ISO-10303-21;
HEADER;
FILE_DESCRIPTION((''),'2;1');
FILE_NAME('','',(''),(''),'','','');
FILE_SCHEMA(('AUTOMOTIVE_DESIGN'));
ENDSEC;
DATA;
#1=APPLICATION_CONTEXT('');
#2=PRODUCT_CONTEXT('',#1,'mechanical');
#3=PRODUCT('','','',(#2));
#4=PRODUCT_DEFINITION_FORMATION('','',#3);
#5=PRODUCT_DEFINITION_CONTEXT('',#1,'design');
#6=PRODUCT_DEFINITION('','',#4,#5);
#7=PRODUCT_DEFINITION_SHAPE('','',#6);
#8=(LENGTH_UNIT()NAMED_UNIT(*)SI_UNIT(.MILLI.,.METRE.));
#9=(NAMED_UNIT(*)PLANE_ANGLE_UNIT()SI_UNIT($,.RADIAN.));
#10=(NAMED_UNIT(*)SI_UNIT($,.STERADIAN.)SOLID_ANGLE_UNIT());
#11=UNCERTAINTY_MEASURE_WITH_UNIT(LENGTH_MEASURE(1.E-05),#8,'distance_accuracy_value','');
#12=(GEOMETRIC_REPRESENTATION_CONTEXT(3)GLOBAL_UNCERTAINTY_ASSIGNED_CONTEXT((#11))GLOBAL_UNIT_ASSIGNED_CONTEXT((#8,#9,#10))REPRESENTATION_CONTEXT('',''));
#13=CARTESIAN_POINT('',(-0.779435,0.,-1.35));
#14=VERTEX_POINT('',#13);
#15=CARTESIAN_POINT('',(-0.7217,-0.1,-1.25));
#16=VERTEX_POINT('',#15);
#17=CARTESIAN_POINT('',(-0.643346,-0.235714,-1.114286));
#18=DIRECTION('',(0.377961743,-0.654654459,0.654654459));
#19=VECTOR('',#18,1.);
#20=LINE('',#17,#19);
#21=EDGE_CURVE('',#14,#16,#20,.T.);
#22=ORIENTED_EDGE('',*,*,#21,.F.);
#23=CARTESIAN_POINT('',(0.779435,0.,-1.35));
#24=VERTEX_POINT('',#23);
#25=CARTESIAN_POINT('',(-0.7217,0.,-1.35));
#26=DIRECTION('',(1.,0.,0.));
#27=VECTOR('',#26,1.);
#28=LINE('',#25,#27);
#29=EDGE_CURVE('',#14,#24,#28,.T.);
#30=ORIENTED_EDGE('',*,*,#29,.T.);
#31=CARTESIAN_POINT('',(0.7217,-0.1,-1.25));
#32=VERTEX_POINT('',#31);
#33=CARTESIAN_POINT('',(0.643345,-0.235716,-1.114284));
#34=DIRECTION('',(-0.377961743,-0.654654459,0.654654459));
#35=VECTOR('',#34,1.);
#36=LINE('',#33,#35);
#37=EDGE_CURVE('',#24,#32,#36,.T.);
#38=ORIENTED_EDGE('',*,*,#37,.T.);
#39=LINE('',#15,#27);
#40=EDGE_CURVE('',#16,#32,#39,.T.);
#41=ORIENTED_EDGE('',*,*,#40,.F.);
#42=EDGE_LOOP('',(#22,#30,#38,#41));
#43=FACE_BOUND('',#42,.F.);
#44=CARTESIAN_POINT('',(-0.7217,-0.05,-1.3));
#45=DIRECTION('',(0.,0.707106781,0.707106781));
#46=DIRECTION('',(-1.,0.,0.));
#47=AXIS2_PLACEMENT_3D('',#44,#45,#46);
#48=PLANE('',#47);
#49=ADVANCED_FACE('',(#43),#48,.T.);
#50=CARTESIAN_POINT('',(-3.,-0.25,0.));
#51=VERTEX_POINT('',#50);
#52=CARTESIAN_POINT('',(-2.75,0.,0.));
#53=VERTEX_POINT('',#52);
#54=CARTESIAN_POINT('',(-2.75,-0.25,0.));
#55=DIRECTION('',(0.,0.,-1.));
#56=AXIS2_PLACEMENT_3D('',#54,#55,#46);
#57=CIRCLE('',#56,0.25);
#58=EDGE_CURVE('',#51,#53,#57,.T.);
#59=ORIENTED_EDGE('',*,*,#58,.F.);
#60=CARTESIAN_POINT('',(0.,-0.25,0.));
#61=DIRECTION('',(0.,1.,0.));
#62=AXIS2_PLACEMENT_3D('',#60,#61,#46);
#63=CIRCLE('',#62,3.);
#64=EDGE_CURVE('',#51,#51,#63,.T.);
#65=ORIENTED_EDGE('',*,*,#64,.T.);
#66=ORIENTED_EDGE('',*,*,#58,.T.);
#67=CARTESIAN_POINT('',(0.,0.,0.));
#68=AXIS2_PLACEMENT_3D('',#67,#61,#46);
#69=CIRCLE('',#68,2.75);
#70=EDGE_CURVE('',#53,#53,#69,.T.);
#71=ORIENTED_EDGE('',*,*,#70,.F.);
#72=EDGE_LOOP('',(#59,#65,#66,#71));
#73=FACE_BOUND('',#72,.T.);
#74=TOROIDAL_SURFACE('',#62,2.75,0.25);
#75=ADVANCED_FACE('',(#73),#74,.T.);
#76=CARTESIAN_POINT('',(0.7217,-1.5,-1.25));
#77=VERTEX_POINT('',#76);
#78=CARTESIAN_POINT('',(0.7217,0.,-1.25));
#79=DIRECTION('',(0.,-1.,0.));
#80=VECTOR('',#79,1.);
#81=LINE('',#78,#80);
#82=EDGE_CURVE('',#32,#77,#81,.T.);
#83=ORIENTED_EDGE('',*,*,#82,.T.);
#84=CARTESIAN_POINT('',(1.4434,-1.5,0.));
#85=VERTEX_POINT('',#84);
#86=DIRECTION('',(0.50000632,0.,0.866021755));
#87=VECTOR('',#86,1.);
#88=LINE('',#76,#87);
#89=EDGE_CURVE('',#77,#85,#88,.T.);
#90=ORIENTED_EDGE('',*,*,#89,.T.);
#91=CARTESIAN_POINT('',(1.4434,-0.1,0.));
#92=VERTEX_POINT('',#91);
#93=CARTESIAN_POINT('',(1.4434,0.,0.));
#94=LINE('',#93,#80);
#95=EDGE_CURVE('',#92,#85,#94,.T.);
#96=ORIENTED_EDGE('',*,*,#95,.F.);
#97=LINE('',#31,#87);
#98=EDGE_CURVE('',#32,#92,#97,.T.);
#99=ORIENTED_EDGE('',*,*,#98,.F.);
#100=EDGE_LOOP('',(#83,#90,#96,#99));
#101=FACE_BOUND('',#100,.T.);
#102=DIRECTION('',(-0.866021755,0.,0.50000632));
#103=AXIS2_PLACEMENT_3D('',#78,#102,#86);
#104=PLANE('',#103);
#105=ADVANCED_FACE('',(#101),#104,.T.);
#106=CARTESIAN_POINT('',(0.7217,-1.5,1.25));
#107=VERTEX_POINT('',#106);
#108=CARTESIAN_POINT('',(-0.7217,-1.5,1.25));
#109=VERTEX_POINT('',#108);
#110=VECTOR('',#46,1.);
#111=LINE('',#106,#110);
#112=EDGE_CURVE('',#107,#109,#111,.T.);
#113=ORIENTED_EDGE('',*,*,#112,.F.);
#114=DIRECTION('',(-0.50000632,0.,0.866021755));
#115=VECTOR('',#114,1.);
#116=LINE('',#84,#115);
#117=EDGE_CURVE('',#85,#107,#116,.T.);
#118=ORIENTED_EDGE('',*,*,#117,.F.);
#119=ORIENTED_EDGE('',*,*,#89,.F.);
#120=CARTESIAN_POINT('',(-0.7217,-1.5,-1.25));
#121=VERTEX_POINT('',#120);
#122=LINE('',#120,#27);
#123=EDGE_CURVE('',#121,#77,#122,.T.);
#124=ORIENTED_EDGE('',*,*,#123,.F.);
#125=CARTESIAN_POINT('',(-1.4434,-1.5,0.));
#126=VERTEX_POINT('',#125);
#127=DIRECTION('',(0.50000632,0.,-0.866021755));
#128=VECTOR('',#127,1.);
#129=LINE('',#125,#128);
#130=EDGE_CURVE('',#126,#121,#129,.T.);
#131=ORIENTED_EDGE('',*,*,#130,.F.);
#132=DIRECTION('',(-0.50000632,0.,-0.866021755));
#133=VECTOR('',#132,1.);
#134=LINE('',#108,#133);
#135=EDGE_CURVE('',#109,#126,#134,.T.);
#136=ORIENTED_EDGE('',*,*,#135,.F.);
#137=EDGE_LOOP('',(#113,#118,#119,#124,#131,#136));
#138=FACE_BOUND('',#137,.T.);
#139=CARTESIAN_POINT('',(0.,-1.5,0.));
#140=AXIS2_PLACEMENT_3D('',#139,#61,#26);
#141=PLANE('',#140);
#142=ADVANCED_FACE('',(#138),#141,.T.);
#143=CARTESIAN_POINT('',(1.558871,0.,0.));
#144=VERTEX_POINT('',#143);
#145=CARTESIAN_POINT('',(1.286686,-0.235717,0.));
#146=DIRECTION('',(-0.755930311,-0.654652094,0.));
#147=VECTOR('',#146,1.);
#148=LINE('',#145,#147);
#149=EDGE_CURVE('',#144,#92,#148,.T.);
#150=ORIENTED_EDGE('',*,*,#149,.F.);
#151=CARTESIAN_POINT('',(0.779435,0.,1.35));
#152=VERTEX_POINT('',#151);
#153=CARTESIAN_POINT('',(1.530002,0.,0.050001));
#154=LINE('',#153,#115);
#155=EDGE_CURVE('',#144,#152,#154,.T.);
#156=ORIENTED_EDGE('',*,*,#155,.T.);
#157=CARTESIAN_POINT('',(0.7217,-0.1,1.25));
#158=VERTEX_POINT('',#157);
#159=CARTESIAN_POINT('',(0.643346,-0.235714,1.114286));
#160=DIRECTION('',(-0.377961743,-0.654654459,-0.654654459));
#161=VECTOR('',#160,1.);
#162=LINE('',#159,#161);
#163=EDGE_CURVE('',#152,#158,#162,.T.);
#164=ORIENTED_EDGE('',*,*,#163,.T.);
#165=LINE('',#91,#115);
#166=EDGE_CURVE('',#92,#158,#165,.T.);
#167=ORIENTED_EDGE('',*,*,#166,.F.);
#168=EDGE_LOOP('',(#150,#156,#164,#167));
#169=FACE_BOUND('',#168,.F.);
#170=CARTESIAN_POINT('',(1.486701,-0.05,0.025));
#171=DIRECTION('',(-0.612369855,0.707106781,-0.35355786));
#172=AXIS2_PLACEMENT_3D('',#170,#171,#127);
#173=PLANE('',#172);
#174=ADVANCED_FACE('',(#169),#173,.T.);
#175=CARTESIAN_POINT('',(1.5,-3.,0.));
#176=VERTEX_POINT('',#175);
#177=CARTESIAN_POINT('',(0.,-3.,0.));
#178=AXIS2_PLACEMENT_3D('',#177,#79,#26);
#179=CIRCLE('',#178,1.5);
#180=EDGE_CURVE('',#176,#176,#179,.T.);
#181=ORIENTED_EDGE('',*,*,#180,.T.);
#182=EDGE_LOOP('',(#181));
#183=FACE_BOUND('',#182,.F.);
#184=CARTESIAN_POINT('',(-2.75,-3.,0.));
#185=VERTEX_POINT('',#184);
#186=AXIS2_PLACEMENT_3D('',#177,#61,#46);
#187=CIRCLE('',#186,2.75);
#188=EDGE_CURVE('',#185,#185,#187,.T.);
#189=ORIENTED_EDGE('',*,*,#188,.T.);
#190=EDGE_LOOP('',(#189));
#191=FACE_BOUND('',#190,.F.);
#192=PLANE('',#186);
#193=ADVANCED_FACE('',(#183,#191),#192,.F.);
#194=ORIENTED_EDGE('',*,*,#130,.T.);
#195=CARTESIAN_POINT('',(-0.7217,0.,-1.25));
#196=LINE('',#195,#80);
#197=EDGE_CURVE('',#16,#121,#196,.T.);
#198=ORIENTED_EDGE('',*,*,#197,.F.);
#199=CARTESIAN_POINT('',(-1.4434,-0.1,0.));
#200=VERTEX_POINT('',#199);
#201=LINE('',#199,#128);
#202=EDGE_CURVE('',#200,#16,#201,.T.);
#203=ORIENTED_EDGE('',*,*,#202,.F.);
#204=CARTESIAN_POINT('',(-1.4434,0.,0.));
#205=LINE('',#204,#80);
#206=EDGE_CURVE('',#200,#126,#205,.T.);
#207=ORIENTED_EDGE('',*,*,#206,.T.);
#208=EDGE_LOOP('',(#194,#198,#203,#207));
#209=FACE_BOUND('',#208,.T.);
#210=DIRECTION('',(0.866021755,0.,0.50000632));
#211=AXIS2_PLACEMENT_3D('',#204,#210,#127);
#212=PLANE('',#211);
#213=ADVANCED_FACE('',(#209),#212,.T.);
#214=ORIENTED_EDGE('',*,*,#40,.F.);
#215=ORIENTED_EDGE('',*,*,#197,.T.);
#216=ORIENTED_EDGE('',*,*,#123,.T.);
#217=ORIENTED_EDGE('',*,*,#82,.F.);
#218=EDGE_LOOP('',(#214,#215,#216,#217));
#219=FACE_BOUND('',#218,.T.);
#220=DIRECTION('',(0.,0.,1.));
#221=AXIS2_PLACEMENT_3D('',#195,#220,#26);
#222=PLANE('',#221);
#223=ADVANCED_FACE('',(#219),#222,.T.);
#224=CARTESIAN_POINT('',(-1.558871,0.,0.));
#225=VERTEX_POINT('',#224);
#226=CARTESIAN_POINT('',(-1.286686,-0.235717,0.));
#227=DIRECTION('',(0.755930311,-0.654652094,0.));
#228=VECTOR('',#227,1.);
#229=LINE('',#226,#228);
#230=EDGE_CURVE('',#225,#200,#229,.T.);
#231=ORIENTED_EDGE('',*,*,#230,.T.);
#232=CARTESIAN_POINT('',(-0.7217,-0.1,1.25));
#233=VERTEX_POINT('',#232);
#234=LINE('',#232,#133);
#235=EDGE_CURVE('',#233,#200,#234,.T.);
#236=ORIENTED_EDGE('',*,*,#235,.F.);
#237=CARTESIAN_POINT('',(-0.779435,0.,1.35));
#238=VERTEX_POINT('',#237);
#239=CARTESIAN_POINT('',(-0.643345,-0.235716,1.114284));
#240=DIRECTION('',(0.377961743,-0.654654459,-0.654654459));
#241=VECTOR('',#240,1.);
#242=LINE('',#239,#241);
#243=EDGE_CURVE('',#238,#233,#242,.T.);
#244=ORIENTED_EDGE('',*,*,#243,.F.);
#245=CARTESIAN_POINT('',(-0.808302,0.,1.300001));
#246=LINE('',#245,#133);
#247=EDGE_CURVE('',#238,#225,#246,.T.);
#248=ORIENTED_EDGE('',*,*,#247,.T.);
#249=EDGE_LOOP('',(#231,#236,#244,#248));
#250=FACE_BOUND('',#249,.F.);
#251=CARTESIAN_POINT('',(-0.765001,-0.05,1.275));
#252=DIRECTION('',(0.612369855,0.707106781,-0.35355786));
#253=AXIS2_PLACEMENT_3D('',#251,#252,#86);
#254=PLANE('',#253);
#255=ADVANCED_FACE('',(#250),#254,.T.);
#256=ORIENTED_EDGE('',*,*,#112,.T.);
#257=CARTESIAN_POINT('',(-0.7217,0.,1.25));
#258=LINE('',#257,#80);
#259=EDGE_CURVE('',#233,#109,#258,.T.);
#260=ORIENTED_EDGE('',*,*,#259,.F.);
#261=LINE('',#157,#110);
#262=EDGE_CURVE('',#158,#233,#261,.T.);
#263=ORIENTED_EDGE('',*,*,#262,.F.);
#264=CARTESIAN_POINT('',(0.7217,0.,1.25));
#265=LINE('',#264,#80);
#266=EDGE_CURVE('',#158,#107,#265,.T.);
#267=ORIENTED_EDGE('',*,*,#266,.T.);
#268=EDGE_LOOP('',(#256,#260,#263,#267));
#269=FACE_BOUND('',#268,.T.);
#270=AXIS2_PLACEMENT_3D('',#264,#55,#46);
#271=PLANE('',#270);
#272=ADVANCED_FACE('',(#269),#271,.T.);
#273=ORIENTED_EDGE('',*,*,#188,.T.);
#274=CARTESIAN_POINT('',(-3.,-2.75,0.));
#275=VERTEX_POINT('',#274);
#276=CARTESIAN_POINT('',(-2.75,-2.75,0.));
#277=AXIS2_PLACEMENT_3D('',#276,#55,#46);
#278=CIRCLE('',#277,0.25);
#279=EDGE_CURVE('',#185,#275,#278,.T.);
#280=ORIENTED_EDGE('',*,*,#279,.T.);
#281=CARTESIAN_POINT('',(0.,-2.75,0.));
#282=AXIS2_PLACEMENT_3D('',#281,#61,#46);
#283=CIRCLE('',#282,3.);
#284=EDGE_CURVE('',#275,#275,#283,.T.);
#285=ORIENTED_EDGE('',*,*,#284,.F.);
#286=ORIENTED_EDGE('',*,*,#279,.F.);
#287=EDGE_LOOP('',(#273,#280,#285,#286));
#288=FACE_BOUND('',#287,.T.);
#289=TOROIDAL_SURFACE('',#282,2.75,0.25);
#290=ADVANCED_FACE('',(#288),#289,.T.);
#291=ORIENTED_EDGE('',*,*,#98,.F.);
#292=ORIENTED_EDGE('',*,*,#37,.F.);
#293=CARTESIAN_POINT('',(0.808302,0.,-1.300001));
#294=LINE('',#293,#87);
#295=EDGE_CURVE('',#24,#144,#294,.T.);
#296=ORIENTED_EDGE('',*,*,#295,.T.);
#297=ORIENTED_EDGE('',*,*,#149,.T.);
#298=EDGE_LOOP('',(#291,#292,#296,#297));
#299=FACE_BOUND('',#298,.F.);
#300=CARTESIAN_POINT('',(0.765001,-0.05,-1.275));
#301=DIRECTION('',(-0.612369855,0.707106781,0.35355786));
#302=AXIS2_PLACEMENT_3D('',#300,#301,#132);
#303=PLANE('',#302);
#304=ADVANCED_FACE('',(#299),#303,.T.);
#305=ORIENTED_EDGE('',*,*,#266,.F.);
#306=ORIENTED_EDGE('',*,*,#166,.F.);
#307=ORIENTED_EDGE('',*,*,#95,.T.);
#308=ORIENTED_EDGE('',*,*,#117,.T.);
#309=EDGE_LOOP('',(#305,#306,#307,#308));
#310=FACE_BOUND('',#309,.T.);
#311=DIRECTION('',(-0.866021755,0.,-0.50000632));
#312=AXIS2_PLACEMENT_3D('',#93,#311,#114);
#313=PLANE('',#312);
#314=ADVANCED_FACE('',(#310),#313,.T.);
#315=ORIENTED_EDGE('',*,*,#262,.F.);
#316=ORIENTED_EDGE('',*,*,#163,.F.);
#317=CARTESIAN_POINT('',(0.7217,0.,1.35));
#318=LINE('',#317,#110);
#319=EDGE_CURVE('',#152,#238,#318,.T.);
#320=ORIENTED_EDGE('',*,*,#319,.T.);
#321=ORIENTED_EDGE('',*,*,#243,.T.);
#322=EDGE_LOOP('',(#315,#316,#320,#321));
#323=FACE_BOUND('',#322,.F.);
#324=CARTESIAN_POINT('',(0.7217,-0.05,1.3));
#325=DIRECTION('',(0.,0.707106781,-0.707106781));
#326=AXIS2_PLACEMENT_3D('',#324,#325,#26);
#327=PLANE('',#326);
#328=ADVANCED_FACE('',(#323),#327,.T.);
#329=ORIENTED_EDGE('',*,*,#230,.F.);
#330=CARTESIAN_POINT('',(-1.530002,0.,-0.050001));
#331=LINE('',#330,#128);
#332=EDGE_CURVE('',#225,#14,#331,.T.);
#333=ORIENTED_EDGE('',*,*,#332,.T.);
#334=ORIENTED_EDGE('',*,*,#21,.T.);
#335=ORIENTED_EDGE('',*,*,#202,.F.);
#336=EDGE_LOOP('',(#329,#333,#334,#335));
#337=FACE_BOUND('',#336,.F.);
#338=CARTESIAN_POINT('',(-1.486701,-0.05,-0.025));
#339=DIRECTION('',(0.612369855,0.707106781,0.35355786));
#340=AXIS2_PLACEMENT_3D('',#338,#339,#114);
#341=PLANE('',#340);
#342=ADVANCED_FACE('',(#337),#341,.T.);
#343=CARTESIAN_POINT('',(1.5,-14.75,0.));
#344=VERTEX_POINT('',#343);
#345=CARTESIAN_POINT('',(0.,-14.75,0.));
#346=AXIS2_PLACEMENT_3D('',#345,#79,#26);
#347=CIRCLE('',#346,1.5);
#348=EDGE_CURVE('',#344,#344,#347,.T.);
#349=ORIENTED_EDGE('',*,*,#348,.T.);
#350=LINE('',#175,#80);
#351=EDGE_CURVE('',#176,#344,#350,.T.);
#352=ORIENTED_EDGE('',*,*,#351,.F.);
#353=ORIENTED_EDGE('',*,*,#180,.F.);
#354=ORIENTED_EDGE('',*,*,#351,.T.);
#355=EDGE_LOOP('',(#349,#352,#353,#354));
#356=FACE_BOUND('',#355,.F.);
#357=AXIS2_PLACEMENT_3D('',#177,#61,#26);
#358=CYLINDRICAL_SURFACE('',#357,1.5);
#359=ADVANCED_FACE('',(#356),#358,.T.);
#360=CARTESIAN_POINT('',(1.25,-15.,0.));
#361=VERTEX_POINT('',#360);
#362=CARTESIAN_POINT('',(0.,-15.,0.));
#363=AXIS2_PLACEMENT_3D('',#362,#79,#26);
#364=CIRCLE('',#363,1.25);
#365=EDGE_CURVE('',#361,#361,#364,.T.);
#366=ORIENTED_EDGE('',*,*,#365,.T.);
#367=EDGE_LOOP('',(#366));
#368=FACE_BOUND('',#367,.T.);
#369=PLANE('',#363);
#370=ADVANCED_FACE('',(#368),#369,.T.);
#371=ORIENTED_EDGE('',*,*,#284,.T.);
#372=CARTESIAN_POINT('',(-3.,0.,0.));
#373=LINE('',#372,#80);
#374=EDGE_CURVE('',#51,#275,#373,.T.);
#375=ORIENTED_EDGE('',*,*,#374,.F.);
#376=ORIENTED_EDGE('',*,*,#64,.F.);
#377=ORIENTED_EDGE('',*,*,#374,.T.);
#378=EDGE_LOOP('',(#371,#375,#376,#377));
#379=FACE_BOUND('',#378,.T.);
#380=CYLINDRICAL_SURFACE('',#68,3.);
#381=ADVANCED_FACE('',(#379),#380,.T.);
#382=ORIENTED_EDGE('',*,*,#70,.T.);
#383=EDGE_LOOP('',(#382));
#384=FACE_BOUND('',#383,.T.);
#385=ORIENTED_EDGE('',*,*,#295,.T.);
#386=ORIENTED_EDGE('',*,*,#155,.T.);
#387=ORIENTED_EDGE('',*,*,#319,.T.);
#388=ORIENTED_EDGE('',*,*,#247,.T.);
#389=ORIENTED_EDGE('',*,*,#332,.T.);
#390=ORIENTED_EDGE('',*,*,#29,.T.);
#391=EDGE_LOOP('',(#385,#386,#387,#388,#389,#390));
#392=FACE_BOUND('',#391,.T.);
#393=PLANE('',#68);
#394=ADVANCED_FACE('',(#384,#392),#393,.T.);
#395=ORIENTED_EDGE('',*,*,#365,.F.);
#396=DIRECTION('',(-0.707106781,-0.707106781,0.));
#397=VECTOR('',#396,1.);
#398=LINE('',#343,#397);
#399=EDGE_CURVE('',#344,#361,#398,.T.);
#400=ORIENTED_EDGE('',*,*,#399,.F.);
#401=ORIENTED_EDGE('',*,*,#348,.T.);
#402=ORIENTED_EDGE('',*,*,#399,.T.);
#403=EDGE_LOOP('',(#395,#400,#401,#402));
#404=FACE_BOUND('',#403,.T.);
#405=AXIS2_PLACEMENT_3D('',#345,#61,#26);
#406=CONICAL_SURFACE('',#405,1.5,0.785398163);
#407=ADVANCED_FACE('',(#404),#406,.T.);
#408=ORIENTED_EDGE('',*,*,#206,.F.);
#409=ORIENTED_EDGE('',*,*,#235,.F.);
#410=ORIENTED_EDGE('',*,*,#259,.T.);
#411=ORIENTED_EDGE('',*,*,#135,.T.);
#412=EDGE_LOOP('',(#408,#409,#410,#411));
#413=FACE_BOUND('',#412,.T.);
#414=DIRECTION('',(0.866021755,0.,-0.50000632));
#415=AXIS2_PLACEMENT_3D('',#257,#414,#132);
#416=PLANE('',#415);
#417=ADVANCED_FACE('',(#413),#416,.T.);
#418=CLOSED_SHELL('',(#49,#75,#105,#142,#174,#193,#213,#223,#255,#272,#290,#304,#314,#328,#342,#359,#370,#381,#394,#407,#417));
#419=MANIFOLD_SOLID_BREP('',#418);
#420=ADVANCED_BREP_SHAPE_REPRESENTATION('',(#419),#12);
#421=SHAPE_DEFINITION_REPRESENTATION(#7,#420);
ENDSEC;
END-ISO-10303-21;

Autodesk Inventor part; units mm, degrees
ref_plane "YZ Plane" through (0, 0, 0) normal (1, 0, 0) x (0, 1, 0)
ref_plane "XZ Plane" through (0, 0, 0) normal (0, 1, 0) x (-1, 0, 0)
ref_plane "XY Plane" through (0, 0, 0) normal (0, 0, 1) x (1, 0, 0)
sketch "Sketch1" plane through (0, 0, 0) normal (0, 1, 0) x (-1, 0, 0)
  circle A0 centre (0, 0) radius 3
  dimension "d0" = 6
extrude "Extrusion1" add sketch "Sketch1" against normal blind 3
sketch "Sketch2" plane through (0, -3, 0) normal (0, -1, 0) x (1, 0, 0)
  circle A0 centre (0, 0) radius 1.5
  dimension "d3" = 3
extrude "Extrusion2" add sketch "Sketch2" along normal blind 12
sketch "Sketch3" plane through (0, 0, 0) normal (0, 1, 0) x (1, 0, 0)
  circle A0 centre (0, 0) radius 1.5 construction
  line L0 (1.4434, 0) -> (0.7217, -1.25)
  line L1 (0.7217, -1.25) -> (-0.7217, -1.25)
  line L2 (-0.7217, -1.25) -> (-1.4434, 0)
  line L3 (-1.4434, 0) -> (-0.7217, 1.25)
  line L4 (-0.7217, 1.25) -> (0.7217, 1.25)
  line L5 (0.7217, 1.25) -> (1.4434, 0)
  dimension "d8" = 2.5
extrude "Extrusion3" cut sketch "Sketch3" against normal blind 1.5
chamfer "Chamfer1" distance 0.25 angle 45 1 edges at (-1.5, -15, 0)
fillet "Fillet1" radius 0.25 2 edges at (3, 0, 0) (3, -3, 0)
chamfer "Chamfer2" distance 0.1 angle 45 6 edges at (0, 0, -1.25) (1.0825, 0, -0.625) (1.0825, 0, 0.625) (0, 0, 1.25) (-1.0825, 0, 0.625) (-1.0825, 0, -0.625)
thread "Thread2" size "M3x0.5" class "6g" standard "ANSI Metric M Profile" full length
properties part number "M3-12" material "Steel, Carbon"
